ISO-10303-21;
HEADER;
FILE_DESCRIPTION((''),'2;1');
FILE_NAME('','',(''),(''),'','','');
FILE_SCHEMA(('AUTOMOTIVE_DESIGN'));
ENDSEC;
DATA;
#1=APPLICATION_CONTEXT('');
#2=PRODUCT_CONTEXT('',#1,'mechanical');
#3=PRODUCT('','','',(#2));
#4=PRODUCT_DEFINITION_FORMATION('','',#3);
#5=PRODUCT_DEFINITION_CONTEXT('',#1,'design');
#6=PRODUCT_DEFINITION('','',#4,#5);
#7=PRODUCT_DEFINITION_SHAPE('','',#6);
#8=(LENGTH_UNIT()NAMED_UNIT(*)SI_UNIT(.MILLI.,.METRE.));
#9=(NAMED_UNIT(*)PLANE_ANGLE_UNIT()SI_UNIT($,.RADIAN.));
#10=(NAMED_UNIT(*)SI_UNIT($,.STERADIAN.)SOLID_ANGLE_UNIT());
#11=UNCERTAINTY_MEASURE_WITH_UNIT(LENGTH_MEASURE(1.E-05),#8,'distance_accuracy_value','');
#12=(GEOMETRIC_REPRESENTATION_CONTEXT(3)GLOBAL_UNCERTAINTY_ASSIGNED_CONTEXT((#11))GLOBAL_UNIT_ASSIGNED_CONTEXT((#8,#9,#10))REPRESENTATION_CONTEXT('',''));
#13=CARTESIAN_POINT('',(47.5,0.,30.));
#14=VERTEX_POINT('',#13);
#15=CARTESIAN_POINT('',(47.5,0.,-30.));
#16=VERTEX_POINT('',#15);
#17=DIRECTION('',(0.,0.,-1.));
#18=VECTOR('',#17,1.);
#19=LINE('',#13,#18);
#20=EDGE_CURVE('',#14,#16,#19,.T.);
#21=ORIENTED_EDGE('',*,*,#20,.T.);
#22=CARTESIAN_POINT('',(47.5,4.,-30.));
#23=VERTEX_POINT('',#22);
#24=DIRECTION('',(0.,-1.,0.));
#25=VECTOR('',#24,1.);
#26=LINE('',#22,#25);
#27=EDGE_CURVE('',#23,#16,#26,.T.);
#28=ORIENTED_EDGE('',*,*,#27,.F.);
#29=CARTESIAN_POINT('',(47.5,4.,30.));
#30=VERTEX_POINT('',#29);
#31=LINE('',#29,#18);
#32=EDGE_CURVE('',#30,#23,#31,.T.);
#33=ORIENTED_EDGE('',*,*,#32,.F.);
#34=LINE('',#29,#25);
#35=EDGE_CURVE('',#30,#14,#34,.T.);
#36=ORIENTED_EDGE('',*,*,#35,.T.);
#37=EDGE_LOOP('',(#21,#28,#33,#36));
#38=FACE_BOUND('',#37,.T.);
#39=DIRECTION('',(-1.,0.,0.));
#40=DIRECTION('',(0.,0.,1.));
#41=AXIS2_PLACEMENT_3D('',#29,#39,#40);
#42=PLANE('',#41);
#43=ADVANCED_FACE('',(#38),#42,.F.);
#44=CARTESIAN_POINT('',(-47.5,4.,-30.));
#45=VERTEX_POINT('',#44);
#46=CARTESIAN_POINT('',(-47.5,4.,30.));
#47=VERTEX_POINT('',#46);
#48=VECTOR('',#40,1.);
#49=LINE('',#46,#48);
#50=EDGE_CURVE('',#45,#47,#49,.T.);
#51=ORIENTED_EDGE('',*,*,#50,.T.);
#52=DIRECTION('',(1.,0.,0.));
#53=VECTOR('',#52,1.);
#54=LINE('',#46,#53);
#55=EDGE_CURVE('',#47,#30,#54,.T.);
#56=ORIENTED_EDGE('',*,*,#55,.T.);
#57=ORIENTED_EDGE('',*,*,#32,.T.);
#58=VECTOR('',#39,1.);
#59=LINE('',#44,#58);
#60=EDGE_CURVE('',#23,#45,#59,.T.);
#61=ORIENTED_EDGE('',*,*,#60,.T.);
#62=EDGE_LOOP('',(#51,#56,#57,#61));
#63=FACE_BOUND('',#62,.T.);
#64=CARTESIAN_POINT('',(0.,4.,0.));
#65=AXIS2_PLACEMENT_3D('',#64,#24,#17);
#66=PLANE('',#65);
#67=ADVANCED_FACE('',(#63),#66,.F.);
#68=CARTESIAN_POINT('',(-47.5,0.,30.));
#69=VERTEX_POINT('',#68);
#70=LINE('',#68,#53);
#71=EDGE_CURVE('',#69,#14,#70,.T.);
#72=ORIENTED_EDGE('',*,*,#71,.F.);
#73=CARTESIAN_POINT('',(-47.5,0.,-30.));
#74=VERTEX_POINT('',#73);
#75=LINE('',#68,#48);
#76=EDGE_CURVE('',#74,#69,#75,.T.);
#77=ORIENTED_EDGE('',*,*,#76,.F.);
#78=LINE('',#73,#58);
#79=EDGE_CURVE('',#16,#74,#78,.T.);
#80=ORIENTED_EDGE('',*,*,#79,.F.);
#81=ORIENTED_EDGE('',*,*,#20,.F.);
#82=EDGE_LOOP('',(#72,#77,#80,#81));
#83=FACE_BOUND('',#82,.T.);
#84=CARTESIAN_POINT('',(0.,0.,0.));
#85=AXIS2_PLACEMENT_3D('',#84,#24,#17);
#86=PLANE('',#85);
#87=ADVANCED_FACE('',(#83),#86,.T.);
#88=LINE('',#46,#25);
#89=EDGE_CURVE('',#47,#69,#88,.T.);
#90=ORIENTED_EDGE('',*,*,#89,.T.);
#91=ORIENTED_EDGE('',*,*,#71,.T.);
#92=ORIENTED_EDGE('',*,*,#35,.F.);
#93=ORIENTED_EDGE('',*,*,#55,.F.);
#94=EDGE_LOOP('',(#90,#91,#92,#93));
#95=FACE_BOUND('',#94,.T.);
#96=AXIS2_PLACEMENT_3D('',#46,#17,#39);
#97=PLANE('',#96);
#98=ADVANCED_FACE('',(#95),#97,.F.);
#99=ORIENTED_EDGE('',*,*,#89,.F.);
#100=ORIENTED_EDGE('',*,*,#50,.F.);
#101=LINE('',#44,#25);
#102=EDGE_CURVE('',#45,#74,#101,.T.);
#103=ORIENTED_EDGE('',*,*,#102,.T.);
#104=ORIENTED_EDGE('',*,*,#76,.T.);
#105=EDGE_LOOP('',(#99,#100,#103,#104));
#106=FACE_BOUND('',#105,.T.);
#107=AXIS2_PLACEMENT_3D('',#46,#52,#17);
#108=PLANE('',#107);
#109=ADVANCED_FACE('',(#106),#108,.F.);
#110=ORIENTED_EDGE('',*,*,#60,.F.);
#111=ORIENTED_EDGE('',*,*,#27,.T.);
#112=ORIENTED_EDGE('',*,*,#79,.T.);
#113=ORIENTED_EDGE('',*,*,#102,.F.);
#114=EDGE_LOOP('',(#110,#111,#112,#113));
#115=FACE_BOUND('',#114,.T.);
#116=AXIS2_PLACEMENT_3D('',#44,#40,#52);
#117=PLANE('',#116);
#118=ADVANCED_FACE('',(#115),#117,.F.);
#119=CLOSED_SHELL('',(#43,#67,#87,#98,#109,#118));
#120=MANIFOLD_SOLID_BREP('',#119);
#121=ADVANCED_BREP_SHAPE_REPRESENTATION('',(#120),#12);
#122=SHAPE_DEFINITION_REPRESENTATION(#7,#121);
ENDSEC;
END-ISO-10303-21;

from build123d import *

# Parameters (mm, degrees)
SKETCH_1_W      = 95
SKETCH_1_H      = 60
EXTRUDE_1_DEPTH = 4


with BuildPart() as part:
    # 草图1 → 凸台-拉伸1 (new body)
    with BuildSketch(Plane(origin=(0, 0, 0), x_dir=(1, 0, 0), z_dir=(0, 1, 0))):
        Rectangle(SKETCH_1_W, SKETCH_1_H)
    extrude(amount=EXTRUDE_1_DEPTH)


solid = part.part
